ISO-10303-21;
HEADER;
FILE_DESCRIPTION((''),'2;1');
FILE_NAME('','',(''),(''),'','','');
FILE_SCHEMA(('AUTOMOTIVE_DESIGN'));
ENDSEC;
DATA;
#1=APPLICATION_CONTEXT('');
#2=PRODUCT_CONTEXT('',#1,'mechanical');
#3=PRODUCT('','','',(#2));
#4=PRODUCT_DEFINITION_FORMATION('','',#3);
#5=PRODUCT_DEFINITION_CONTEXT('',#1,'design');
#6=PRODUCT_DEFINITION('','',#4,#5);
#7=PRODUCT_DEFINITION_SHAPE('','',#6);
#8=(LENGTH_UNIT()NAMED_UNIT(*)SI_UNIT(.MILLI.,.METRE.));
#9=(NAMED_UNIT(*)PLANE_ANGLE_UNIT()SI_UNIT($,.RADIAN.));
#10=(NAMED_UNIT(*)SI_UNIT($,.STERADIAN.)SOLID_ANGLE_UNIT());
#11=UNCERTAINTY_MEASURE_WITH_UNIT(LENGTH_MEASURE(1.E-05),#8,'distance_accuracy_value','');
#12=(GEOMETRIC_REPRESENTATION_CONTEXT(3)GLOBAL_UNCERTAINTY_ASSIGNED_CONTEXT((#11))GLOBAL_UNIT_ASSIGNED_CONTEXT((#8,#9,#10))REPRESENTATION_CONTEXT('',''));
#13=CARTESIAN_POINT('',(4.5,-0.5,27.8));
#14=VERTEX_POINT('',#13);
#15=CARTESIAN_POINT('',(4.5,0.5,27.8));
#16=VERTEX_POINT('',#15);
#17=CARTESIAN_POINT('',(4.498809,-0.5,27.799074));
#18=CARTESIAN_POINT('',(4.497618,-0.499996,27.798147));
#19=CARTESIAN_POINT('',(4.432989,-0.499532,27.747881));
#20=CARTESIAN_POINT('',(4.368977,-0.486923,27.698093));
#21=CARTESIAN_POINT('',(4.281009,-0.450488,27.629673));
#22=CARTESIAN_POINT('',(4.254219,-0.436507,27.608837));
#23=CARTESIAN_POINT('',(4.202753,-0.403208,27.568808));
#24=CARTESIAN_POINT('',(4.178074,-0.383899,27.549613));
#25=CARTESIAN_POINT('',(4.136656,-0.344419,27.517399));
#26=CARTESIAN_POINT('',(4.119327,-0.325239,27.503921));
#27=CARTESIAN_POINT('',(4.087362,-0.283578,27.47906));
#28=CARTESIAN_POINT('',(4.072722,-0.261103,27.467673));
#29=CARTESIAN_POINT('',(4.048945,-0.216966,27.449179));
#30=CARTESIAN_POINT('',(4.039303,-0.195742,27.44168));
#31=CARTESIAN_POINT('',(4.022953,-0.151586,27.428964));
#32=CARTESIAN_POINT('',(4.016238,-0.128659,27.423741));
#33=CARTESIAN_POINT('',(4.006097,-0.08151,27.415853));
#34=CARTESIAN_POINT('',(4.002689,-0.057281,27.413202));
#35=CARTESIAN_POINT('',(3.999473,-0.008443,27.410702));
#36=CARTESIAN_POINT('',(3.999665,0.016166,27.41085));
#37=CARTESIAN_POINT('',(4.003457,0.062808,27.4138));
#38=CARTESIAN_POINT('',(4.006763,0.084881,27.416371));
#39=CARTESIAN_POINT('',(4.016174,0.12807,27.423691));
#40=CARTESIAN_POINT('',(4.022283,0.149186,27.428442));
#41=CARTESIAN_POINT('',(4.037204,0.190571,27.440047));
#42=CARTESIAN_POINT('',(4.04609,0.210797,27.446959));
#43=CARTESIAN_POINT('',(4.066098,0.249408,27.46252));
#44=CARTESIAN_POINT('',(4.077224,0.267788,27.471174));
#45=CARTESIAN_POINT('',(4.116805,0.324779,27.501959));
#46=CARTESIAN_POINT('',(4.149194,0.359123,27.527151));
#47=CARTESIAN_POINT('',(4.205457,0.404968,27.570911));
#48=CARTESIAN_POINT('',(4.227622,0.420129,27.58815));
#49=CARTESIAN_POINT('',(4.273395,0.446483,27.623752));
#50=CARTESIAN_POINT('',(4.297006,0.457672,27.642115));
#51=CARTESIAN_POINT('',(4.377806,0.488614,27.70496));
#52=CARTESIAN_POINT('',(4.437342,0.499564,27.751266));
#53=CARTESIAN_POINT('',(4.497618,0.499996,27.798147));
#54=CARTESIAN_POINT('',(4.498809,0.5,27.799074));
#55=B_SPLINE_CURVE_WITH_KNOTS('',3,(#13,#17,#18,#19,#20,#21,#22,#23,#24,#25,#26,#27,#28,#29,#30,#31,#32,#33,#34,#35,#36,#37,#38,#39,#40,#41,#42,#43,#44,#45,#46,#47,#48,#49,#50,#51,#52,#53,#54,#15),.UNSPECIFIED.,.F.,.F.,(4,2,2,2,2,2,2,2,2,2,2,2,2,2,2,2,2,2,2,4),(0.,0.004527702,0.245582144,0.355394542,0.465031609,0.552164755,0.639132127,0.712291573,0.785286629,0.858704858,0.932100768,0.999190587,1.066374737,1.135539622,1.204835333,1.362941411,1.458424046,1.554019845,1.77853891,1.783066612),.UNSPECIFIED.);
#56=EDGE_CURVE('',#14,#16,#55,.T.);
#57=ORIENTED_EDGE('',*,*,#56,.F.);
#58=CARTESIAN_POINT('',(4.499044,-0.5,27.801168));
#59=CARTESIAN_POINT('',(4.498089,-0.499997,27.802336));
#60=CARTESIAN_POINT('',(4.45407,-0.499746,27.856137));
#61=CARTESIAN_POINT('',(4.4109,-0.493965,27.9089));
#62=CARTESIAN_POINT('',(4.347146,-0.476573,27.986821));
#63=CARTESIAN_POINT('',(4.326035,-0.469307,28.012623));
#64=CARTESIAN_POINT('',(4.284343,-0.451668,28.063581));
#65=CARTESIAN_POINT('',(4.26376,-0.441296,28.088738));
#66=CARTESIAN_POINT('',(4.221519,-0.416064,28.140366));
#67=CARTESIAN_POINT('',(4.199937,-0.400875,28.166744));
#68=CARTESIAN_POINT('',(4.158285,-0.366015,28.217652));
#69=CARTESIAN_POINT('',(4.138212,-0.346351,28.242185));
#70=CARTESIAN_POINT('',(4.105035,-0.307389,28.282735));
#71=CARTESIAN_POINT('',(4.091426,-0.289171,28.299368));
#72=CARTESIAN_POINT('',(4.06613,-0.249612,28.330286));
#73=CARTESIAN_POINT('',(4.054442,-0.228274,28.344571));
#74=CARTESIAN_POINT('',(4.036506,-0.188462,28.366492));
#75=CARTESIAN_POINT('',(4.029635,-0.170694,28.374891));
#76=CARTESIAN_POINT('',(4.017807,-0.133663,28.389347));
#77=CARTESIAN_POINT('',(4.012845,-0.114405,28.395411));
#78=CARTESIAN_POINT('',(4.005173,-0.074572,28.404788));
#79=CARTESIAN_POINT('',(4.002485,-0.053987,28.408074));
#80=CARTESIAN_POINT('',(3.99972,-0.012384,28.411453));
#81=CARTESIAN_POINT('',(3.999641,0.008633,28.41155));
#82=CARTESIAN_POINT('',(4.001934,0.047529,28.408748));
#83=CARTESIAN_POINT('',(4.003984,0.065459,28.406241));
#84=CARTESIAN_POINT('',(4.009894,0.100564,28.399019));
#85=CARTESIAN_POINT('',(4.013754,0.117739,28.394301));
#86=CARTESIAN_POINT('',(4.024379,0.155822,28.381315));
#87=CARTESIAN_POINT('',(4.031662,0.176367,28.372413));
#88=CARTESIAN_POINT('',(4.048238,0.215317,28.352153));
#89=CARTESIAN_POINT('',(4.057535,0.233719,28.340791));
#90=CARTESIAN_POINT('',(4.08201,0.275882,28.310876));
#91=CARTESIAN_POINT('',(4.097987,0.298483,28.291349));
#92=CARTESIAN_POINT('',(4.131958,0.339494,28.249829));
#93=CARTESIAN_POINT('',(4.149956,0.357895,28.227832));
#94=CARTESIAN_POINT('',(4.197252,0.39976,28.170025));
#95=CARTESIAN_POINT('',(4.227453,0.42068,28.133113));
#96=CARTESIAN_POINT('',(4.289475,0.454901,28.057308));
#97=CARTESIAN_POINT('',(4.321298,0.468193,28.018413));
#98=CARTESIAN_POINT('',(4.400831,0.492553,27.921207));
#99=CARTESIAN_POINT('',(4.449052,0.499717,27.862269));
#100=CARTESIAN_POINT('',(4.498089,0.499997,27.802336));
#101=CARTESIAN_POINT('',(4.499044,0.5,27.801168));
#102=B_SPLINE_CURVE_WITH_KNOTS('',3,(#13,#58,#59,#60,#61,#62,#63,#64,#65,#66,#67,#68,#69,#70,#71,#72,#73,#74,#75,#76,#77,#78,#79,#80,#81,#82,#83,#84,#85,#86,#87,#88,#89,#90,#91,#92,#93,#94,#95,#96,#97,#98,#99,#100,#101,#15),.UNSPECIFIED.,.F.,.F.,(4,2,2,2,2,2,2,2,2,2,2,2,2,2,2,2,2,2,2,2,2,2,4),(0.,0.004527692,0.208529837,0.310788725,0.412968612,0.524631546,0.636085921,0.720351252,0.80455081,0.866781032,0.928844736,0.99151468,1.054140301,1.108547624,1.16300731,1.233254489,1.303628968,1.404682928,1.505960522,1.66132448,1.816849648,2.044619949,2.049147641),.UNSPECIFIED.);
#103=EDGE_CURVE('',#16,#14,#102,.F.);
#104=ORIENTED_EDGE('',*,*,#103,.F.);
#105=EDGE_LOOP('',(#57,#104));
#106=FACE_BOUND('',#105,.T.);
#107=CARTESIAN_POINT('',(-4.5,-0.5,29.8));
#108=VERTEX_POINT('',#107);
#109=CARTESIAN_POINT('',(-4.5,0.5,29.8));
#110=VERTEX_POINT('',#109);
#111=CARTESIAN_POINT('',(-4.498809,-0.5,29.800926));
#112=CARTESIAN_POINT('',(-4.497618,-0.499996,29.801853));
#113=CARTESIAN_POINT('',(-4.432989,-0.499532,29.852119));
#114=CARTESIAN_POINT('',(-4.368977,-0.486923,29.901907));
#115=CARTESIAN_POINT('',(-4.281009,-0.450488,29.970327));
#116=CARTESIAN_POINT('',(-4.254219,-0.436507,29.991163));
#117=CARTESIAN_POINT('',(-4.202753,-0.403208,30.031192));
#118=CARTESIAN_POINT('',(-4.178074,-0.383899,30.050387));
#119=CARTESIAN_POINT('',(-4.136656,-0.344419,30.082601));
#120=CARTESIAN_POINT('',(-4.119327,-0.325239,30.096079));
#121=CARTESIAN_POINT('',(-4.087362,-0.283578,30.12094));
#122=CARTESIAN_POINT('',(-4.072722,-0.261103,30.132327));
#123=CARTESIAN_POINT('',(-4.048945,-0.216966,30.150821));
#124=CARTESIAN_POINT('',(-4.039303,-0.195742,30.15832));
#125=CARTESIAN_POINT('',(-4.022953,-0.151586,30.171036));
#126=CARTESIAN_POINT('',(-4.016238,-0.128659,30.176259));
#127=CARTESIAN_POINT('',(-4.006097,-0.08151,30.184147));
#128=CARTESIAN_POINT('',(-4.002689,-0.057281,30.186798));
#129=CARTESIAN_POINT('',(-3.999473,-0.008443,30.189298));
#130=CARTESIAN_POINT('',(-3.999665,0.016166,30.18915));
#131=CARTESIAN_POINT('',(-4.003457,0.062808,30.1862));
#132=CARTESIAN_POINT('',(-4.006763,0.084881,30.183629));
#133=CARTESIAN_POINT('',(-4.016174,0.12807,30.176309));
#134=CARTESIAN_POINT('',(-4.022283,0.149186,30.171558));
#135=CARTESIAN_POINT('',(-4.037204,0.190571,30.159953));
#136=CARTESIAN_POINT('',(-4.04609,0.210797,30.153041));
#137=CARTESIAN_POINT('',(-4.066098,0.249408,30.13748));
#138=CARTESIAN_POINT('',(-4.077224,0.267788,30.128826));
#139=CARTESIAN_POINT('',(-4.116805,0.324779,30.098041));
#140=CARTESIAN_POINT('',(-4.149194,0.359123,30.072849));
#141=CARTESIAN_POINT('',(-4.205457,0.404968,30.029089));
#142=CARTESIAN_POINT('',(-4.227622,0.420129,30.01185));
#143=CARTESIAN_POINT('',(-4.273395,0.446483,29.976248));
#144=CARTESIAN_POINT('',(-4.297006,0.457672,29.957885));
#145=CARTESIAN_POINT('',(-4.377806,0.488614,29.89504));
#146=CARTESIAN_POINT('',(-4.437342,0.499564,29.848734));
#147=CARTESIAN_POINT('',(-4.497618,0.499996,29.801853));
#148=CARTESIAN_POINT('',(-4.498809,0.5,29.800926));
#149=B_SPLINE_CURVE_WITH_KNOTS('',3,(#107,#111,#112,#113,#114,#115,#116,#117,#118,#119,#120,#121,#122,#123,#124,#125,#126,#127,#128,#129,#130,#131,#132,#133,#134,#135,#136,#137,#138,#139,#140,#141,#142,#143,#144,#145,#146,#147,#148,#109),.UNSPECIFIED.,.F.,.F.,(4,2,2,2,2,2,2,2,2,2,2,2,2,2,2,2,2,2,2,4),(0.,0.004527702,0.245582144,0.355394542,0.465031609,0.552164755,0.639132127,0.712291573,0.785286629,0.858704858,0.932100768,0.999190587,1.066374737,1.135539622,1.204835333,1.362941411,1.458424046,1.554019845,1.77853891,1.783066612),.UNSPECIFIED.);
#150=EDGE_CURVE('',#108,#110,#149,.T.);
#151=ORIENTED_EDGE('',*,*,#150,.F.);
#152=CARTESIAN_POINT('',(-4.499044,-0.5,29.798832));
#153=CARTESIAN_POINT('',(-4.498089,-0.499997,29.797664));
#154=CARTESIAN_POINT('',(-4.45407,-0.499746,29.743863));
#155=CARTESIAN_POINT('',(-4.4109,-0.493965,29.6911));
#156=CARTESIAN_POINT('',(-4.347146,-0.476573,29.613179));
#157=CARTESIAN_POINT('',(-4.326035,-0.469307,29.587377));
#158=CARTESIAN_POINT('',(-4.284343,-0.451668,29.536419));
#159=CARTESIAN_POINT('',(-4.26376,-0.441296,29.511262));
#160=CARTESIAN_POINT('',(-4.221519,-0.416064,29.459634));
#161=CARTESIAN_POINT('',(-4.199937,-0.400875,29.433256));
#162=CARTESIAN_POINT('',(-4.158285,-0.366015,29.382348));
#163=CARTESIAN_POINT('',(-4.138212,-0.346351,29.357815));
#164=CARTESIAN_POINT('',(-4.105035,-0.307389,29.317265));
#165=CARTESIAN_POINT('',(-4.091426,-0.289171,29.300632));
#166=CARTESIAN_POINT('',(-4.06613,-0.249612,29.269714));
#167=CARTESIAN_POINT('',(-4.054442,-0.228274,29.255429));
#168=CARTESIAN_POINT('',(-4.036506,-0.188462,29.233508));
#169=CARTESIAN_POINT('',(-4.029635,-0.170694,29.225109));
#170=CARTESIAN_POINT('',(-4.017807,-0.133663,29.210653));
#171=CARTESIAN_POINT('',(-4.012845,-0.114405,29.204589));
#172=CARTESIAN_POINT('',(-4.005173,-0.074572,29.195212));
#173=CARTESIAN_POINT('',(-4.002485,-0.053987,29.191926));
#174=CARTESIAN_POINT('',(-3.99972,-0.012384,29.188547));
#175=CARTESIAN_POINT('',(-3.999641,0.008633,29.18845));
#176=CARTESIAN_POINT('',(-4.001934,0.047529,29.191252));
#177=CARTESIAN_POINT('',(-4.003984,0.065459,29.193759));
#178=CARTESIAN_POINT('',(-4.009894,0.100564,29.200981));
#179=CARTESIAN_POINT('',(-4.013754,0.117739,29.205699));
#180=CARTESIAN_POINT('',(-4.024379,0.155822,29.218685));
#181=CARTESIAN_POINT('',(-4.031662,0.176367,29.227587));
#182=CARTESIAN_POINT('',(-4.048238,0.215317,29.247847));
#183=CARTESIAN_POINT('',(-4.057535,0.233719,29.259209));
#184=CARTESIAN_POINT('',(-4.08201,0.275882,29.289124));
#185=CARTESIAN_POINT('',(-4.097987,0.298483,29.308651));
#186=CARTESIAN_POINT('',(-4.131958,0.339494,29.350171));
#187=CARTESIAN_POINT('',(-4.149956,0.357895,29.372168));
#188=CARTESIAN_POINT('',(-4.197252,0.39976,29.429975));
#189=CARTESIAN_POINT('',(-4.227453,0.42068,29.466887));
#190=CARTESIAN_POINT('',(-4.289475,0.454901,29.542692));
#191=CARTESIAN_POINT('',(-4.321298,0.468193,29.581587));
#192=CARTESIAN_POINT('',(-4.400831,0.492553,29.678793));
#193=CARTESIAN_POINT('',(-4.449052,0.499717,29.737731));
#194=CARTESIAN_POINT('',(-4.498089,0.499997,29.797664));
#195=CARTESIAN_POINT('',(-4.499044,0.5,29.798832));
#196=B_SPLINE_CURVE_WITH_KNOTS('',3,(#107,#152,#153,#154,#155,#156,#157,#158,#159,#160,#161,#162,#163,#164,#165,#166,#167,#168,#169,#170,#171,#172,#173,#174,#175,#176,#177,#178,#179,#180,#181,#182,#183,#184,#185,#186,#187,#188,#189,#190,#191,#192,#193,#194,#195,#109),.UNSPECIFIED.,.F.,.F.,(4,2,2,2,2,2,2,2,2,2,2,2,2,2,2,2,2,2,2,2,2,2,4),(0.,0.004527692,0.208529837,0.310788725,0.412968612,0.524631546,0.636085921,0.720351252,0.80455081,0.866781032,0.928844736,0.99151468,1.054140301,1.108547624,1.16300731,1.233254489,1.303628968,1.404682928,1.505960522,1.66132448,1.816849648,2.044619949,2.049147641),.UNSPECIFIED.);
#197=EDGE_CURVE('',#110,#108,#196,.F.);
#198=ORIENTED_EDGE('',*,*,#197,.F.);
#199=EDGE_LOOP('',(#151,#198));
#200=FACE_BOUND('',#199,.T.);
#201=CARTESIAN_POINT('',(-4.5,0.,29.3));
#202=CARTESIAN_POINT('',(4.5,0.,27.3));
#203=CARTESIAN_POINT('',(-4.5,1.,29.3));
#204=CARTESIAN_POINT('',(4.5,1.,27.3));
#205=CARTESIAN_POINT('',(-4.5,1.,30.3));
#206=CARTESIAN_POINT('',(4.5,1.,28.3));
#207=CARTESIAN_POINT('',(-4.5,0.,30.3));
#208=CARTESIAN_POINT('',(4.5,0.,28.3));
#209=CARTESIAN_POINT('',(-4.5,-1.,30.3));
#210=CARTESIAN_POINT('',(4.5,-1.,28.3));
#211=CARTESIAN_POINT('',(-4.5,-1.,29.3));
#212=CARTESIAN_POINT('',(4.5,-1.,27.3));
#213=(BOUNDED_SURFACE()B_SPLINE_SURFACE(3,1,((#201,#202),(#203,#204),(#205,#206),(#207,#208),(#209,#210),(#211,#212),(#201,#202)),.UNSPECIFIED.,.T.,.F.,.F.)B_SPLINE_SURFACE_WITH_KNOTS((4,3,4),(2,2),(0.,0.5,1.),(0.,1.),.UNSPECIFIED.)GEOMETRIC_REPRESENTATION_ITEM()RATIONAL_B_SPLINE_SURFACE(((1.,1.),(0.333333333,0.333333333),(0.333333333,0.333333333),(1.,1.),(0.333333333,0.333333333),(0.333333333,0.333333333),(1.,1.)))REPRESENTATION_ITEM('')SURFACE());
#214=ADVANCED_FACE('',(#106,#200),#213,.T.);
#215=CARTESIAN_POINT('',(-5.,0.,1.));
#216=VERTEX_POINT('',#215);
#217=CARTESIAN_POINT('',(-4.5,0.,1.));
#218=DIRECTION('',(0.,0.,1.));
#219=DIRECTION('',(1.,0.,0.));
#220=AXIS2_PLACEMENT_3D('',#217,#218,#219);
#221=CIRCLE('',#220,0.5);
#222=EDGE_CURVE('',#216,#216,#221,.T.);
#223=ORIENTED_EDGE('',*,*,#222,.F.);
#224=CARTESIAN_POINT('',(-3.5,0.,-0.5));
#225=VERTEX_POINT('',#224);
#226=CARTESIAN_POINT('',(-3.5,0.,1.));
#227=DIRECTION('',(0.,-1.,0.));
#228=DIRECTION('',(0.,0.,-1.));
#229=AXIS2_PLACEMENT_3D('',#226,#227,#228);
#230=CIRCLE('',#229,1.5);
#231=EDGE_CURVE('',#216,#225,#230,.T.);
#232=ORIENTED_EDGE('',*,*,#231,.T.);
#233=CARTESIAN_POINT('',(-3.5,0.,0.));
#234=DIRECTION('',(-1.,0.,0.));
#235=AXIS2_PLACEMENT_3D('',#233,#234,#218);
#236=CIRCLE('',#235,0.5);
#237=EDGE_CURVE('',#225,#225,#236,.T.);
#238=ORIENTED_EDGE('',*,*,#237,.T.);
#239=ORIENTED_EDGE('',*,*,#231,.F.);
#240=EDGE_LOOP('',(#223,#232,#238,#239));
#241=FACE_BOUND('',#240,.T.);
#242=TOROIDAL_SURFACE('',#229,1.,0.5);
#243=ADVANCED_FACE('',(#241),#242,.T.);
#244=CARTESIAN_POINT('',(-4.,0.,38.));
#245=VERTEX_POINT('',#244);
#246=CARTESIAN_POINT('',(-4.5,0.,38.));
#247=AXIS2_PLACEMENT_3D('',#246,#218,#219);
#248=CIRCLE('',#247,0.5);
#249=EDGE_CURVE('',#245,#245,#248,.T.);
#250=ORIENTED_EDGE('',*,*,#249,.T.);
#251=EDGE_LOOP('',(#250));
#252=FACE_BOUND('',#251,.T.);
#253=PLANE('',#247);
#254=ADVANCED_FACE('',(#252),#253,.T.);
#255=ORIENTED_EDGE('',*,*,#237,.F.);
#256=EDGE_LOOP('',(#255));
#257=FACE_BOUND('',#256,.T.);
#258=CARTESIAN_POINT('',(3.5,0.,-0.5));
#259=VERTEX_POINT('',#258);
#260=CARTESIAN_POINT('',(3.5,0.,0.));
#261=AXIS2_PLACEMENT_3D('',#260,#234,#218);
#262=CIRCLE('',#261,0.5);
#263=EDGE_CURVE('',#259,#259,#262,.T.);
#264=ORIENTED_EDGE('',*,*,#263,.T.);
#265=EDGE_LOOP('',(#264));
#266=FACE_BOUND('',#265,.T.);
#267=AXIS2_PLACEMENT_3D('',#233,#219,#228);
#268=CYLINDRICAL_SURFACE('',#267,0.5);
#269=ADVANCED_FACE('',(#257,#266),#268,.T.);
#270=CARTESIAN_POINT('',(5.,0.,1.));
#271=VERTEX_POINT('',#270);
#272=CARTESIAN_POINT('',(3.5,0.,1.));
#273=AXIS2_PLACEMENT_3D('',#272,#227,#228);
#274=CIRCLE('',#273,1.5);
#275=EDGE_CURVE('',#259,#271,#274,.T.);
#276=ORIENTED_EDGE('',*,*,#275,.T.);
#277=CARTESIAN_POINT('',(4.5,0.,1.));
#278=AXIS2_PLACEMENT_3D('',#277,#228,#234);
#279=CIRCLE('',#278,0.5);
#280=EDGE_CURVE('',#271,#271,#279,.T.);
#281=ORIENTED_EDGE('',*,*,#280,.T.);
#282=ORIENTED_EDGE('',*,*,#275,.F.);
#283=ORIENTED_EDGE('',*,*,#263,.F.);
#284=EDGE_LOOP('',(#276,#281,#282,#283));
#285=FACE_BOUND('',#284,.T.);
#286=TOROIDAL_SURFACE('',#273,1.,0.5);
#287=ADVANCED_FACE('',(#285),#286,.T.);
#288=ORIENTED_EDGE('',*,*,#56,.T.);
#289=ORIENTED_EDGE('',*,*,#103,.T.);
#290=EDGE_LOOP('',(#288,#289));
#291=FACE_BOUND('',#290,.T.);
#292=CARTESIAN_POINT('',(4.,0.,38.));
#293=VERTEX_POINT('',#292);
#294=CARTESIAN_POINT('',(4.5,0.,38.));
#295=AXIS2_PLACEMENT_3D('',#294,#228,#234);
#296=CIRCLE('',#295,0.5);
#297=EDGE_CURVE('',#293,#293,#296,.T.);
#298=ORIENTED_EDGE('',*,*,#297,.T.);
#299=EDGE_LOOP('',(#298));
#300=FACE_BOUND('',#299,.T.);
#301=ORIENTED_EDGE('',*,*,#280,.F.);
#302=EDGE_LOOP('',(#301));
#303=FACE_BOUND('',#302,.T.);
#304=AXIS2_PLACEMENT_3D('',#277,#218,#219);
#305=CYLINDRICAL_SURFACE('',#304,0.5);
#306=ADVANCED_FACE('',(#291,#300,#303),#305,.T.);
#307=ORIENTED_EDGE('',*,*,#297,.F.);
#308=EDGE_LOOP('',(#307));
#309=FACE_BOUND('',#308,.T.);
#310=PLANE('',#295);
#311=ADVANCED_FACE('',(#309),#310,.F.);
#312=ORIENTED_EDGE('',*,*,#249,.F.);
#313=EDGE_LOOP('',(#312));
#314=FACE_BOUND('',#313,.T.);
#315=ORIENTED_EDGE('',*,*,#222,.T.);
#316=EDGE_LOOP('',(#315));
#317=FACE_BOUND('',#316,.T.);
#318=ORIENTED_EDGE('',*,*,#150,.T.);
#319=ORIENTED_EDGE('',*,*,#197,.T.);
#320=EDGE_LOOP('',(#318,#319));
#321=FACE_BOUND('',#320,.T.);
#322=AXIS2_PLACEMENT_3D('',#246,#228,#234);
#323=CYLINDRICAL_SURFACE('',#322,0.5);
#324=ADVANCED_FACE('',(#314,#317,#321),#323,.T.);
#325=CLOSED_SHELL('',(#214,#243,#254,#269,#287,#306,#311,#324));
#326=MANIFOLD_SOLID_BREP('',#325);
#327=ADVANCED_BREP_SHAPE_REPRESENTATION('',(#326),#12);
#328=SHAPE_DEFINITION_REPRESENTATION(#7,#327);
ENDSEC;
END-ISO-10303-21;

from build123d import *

# Parameters (mm, degrees)
SKETCH_1_R = 0.5
SKETCH_3_R = 0.5


with BuildPart() as part:
    # 掃出1: sweep along a path in 草圖2
    with BuildLine(Plane(origin=(0, 0, 0), x_dir=(1, 0, 0), z_dir=(0, 1, 0))) as sweep_1_path:
        Line((-4.5, -38), (-4.5, -1))
        ThreePointArc((-4.5, -1), (-4.207106781, -0.292893219), (-3.5, 0))
        Line((-3.5, 0), (3.5, 0))
        ThreePointArc((3.5, 0), (4.207106781, -0.292893219), (4.5, -1))
        Line((4.5, -1), (4.5, -38))
    # 草圖1 → 掃出1 (sweep)
    with BuildSketch(Plane.XY.offset(38)):
        with Locations((-4.5, 0)):
            Circle(SKETCH_1_R)
    sweep(path=sweep_1_path.line)

    # 掃出2: sweep along a path in 草圖4
    with BuildLine(Plane(origin=(0, 0, 0), x_dir=(1, 0, 0), z_dir=(0, 1, 0))) as sweep_2_path:
        Line((-4.5, -29.8), (4.5, -27.8))
    # 草圖3 → 掃出2 (sweep)
    with BuildSketch(Plane(origin=(4.5, 0, 0), x_dir=(0, 0, -1), z_dir=(1, 0, 0))):
        with Locations((-27.8, 0)):
            Circle(SKETCH_3_R)
    sweep(path=sweep_2_path.line)


solid = part.part
